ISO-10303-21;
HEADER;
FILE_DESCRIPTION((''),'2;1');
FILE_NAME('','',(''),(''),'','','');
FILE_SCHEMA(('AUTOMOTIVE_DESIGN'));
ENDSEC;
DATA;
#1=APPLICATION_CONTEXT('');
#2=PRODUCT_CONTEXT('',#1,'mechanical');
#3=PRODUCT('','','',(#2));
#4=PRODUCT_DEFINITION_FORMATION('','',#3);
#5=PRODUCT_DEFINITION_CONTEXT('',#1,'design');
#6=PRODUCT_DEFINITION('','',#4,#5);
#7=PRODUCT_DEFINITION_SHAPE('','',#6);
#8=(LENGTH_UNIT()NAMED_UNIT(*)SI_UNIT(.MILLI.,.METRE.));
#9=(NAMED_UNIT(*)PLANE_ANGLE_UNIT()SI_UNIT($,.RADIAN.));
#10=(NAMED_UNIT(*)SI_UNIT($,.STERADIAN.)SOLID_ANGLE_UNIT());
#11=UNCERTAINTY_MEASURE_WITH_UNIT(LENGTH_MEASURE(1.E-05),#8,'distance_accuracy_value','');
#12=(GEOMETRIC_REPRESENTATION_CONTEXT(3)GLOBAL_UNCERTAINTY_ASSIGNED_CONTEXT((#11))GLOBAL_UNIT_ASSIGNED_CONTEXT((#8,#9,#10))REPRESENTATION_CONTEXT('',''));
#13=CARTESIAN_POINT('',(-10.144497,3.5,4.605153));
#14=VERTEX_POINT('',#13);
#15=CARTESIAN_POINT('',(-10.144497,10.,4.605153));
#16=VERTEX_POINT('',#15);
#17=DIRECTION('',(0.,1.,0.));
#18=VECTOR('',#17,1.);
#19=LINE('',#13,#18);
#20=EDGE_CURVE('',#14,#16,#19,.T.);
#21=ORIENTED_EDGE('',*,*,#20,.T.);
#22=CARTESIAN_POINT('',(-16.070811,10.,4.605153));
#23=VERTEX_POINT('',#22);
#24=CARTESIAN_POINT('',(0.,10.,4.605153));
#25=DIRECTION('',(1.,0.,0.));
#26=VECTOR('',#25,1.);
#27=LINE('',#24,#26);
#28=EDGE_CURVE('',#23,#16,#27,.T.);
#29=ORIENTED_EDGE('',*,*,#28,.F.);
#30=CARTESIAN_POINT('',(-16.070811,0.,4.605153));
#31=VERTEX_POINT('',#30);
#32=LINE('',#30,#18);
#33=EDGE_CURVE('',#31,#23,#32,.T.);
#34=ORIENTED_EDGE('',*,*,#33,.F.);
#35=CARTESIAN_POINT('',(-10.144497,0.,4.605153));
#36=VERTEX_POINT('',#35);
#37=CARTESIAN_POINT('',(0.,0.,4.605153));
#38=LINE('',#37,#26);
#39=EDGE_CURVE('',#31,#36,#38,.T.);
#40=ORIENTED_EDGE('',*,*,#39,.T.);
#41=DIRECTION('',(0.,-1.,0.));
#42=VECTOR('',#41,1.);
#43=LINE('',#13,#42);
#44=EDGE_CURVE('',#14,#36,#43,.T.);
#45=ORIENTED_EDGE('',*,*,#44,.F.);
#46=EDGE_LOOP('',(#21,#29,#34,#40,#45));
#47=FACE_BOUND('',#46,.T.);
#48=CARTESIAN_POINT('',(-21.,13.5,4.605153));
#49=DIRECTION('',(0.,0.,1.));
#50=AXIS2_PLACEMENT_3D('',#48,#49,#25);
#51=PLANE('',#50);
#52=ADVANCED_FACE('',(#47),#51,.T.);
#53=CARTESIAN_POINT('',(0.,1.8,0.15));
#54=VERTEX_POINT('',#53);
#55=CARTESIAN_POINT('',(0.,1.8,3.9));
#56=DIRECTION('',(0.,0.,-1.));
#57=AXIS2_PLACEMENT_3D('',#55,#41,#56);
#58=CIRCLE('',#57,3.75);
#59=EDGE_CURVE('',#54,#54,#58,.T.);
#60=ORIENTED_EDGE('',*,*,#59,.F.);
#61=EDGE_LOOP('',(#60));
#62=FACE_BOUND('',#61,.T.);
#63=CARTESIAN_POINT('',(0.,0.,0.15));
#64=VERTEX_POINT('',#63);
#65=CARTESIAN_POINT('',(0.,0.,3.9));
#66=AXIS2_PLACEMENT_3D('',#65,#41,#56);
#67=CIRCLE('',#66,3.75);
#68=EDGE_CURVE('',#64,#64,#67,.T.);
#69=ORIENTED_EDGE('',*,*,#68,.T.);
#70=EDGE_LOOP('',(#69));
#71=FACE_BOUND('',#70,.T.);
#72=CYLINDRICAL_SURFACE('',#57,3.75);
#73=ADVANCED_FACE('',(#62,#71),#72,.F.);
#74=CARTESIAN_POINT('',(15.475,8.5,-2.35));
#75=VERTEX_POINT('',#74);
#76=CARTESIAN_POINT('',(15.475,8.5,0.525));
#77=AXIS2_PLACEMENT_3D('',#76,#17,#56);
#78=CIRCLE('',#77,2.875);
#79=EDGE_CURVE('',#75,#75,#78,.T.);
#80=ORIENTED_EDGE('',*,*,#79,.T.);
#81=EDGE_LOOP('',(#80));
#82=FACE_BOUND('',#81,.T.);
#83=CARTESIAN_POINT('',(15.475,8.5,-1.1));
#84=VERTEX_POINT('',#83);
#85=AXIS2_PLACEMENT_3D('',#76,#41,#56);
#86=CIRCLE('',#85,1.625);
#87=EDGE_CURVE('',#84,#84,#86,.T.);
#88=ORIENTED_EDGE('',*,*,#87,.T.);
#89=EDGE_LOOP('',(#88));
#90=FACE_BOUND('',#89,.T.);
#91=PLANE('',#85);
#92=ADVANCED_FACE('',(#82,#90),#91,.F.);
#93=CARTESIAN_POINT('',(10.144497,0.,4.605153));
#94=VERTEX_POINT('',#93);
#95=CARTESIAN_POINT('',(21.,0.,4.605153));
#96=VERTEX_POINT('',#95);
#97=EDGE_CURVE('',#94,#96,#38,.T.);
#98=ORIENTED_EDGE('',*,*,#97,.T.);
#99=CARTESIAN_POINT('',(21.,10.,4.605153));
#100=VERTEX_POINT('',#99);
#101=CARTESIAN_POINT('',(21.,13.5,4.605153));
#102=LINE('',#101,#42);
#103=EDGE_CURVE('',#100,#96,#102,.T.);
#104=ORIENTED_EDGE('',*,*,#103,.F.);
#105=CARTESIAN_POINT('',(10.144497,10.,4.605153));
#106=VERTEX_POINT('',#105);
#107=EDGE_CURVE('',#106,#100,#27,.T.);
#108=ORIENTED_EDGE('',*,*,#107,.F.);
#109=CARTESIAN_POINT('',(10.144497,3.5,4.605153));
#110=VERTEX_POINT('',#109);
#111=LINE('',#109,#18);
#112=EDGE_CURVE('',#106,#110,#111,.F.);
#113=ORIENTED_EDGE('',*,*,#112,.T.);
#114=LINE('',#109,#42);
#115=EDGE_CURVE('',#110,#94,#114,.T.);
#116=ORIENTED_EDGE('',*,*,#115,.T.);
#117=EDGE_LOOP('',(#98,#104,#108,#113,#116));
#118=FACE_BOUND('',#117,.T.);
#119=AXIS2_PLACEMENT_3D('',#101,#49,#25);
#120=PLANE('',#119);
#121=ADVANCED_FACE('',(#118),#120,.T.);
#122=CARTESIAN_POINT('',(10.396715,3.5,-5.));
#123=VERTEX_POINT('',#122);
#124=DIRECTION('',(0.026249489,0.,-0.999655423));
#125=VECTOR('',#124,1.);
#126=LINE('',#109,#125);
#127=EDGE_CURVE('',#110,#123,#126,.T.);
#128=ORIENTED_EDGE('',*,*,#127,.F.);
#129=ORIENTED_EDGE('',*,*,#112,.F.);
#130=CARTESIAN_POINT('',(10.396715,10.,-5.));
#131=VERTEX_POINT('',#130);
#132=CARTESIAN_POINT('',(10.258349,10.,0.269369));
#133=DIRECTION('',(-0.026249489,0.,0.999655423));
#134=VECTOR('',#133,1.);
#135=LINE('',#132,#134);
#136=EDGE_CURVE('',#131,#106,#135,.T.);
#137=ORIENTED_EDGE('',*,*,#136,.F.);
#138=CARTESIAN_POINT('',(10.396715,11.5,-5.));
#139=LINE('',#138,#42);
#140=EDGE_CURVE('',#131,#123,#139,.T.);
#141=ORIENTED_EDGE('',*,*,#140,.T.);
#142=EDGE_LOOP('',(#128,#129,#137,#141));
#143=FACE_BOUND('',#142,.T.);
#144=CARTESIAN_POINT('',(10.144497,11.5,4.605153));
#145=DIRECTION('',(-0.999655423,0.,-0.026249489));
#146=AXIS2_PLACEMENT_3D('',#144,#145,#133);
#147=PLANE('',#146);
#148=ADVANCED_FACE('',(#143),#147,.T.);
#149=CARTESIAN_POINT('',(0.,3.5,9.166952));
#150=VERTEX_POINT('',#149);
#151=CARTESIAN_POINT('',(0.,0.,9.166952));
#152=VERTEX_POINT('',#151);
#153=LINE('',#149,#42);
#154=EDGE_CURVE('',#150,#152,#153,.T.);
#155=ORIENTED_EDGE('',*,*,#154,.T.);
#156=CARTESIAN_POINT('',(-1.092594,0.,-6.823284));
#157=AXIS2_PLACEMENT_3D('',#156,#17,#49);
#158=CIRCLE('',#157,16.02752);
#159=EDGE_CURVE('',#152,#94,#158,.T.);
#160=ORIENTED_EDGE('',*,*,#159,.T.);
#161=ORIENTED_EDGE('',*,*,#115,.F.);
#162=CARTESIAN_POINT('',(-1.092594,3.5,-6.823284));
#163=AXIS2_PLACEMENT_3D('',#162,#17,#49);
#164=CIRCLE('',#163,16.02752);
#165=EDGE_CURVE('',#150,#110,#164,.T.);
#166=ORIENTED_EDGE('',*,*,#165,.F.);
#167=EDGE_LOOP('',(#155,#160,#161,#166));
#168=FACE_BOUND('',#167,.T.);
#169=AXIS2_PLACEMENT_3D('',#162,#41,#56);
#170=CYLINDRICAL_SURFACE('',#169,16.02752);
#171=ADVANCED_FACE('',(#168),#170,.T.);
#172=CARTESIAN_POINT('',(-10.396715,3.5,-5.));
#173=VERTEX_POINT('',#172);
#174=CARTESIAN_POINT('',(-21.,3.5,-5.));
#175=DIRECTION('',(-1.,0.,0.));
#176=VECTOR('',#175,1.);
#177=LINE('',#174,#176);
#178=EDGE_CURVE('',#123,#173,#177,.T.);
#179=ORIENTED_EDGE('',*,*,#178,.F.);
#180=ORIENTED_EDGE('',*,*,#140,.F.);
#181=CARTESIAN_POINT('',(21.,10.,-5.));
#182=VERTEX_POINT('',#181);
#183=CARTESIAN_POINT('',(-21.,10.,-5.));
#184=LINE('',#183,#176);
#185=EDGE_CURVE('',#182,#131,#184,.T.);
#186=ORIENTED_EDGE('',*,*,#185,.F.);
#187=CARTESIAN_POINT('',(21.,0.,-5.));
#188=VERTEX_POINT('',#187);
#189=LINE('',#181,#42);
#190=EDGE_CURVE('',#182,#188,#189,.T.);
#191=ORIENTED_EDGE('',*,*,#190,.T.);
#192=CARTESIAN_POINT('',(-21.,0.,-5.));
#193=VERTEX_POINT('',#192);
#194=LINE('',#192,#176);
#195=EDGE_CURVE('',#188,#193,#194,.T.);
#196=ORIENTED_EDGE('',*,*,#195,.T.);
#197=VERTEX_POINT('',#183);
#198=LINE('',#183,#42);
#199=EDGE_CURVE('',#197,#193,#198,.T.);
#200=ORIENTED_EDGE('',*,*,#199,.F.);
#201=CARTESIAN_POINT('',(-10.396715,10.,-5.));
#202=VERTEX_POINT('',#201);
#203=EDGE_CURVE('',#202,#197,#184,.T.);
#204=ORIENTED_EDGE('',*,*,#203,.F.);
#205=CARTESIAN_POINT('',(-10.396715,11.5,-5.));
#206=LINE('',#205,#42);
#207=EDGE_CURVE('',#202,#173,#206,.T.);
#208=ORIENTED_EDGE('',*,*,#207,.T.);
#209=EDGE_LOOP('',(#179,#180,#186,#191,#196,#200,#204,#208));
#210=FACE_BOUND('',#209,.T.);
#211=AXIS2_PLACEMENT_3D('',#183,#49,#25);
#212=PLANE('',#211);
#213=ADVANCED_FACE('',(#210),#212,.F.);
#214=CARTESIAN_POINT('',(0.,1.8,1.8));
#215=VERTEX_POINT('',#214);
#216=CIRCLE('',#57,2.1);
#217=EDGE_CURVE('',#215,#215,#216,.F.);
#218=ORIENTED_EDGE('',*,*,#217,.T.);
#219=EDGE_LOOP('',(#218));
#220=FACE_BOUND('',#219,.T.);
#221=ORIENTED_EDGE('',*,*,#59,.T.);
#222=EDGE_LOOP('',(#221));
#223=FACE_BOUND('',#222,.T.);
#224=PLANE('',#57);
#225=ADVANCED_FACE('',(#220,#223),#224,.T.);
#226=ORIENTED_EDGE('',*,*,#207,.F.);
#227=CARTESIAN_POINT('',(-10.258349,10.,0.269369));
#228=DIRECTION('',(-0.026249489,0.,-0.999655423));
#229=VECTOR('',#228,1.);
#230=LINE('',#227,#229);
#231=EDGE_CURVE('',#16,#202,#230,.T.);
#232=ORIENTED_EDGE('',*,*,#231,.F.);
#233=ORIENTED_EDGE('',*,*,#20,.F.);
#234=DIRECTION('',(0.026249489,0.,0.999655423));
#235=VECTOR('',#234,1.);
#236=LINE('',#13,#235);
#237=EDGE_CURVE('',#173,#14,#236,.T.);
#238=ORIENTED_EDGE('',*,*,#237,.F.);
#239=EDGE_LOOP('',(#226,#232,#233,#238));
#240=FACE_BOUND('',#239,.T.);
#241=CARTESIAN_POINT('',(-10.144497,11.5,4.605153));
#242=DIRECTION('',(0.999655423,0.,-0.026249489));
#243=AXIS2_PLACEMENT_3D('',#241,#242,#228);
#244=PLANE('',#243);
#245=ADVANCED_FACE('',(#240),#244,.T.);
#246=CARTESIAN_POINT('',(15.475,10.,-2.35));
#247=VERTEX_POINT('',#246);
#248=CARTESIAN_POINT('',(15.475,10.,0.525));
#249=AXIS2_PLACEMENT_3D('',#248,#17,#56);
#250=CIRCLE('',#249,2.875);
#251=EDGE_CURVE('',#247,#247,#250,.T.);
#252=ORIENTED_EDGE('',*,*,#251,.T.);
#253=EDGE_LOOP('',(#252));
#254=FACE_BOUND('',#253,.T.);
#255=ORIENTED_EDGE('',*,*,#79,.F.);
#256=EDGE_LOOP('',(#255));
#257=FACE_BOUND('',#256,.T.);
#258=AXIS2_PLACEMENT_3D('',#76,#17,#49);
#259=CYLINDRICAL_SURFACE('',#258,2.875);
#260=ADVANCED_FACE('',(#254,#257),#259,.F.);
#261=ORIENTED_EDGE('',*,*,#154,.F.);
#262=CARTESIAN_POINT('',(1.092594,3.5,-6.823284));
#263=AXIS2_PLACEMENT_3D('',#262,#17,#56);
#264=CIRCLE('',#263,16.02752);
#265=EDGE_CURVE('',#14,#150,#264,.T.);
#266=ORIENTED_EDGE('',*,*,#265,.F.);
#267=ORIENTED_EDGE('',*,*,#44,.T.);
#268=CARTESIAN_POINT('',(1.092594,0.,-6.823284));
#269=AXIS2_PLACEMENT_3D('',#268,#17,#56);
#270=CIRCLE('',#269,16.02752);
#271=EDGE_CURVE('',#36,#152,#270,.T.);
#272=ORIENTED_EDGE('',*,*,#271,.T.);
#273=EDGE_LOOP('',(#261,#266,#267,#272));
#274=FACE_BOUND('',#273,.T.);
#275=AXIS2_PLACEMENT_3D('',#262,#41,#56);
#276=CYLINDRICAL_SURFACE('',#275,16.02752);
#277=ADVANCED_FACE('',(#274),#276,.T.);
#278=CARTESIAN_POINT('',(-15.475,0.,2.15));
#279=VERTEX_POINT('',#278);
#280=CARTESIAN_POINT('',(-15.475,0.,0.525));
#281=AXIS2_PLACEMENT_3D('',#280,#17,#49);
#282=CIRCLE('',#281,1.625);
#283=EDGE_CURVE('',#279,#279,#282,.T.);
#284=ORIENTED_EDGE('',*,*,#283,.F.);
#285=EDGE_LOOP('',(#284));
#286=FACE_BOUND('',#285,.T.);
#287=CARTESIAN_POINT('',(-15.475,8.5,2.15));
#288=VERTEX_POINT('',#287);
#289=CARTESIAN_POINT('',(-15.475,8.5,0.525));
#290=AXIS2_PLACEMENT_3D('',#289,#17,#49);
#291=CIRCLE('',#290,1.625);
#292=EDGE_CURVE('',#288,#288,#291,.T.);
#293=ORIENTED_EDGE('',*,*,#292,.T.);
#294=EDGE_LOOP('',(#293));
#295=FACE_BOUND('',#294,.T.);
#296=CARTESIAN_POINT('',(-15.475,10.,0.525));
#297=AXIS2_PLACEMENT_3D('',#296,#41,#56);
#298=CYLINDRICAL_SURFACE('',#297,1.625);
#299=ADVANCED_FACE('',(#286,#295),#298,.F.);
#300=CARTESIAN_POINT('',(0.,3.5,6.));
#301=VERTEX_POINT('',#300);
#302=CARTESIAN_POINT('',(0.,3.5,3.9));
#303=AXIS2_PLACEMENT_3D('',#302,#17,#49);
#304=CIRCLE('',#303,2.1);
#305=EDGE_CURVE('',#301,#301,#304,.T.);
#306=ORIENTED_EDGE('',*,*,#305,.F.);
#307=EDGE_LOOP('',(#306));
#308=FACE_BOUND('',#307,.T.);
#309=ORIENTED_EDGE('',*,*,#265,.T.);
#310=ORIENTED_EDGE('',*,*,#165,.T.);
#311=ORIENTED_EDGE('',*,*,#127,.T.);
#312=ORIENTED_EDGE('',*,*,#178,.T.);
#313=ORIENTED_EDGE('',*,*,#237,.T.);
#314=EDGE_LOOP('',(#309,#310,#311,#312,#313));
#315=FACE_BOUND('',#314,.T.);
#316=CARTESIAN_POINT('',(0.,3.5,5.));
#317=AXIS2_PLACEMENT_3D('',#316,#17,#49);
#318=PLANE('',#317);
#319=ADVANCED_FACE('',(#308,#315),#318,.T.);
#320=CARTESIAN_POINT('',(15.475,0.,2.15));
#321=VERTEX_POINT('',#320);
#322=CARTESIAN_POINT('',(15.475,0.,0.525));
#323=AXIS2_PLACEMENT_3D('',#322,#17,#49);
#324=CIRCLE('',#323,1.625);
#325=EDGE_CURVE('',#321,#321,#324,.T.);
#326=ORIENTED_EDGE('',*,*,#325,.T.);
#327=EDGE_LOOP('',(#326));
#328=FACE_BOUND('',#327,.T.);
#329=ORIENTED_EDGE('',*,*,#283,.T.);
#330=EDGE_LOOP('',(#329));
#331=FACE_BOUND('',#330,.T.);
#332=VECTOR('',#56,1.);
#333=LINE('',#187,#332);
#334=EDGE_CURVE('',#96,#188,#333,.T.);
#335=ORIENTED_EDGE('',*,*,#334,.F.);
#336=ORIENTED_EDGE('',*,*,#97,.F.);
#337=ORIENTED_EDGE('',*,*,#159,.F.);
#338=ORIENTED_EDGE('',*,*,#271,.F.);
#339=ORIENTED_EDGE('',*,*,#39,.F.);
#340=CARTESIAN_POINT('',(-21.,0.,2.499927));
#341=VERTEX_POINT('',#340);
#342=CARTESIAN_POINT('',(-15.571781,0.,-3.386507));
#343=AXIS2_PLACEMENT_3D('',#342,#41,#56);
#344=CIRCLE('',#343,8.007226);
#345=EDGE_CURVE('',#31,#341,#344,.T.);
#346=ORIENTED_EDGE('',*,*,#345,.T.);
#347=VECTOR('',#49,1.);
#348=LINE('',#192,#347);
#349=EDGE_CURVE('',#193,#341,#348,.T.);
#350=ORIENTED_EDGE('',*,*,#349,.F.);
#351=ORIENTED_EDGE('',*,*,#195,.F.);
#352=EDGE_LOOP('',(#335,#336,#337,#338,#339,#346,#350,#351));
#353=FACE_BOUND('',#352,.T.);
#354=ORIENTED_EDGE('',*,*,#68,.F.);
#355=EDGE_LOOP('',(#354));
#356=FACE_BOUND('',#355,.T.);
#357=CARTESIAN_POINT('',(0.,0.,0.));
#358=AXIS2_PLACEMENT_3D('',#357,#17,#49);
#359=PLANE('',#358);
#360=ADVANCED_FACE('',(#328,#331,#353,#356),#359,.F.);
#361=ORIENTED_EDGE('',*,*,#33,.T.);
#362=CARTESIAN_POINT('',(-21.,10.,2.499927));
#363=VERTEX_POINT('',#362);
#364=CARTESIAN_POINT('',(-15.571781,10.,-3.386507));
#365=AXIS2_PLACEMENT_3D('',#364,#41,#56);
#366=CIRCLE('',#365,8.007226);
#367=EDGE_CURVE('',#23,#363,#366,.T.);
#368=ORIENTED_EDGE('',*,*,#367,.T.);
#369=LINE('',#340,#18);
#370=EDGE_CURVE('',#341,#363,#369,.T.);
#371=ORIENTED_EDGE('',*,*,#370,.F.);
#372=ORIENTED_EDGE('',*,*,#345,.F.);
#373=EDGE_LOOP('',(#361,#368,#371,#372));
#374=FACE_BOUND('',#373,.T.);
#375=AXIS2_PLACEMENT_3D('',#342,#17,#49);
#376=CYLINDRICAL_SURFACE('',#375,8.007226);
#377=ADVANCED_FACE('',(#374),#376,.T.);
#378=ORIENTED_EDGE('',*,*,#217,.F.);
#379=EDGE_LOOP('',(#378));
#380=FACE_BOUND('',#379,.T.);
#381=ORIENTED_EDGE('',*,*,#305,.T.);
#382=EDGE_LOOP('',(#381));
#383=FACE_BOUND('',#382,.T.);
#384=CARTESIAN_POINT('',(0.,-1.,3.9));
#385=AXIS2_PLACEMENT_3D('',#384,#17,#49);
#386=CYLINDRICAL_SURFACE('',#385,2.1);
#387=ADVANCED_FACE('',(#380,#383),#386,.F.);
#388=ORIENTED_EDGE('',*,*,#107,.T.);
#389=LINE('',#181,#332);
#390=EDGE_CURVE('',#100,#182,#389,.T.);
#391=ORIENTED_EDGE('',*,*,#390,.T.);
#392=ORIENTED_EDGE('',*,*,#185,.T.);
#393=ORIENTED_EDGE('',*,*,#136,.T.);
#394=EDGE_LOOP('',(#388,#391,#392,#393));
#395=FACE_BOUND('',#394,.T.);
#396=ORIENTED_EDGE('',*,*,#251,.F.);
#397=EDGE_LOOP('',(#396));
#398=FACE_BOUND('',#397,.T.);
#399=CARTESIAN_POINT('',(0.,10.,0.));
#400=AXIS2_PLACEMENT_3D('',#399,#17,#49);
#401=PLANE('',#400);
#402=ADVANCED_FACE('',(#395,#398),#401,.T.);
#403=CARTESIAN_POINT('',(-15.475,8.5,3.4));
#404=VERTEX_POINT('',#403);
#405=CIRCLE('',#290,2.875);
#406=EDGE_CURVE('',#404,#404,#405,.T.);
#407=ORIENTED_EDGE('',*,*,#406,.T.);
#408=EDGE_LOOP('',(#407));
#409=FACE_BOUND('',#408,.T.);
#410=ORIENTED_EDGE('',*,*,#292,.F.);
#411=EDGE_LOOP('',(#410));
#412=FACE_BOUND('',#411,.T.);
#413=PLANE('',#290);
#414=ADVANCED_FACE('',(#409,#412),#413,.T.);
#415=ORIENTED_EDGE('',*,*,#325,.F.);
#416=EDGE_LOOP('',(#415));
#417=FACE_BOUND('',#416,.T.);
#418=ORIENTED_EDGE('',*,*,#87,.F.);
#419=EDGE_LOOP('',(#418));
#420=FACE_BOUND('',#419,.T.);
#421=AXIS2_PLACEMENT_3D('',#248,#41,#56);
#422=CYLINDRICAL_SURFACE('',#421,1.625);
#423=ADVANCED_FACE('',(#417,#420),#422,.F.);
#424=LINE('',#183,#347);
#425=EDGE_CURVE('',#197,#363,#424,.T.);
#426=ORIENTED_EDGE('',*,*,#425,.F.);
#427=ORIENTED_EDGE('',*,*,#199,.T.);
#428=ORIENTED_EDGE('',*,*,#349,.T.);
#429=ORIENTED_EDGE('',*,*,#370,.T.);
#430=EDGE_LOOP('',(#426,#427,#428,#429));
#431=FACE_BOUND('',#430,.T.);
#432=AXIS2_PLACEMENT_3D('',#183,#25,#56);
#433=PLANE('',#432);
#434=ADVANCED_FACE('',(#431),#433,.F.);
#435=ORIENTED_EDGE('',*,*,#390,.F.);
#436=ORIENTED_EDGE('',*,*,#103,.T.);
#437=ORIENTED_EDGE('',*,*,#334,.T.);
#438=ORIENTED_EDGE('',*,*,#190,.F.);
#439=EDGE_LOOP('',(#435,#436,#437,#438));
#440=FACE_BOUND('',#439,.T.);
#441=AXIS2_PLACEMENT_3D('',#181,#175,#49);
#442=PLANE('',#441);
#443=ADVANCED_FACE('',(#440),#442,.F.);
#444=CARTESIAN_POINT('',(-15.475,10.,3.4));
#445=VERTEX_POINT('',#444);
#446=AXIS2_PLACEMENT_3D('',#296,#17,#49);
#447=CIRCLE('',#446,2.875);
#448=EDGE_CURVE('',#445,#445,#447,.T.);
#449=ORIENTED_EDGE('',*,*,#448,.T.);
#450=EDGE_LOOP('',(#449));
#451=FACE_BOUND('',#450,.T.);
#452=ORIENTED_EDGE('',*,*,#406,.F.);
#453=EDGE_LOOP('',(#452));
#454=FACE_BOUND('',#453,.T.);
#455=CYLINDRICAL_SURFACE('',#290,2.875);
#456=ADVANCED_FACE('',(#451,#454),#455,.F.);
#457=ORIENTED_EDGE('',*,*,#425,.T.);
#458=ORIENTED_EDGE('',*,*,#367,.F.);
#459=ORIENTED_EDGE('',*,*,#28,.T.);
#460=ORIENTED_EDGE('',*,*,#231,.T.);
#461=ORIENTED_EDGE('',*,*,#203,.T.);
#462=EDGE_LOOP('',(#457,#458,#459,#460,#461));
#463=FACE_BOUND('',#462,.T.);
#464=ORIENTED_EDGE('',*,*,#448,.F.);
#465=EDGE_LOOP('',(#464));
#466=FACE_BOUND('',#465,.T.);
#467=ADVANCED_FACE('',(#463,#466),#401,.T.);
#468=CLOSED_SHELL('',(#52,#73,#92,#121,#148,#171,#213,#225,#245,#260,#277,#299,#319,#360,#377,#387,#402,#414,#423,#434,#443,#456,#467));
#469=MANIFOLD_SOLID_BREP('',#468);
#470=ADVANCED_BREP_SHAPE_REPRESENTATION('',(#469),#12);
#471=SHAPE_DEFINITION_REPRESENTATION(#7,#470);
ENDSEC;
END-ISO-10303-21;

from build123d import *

# Parameters (mm, degrees)
SKETCH1_W           = 42
SKETCH1_H           = 10
SKETCH1_R           = 1.625
BOSS_EXTRUDE1_DEPTH = 10
SKETCH2_R           = 10.152178523
CUT_EXTRUDE2_DEPTH  = 6.5
CUT_EXTRUDE3_DEPTH  = 10
SKETCH4_R           = 2.875
CUT_EXTRUDE4_DEPTH  = 1.5
CUT_EXTRUDE5_DEPTH  = 8
BOSS_EXTRUDE6_DEPTH = 3.5
SKETCH10_R          = 2.1
CUT_EXTRUDE6_DEPTH  = 4.5
CUT_EXTRUDE8_DEPTH  = 10
SKETCH13_R          = 3.75
CUT_EXTRUDE9_DEPTH  = 1.8


with BuildPart() as part:
    # Sketch1 → Boss-Extrude1 (new body)
    with BuildSketch(Plane(origin=(0, 0, 0), x_dir=(1, 0, 0), z_dir=(0, 1, 0))):
        Rectangle(SKETCH1_W, SKETCH1_H)
        with Locations((-15.475, -0.525)):
            Circle(SKETCH1_R, mode=Mode.SUBTRACT)
        with Locations((15.475, -0.525)):
            Circle(SKETCH1_R, mode=Mode.SUBTRACT)
    extrude(amount=BOSS_EXTRUDE1_DEPTH)

    # Sketch2 → Cut-Extrude2 (cut)
    with BuildSketch(Plane(origin=(0, 10, 0), x_dir=(1, 0, 0), z_dir=(0, 1, 0))):
        with Locations((0, -5)):
            Circle(SKETCH2_R)
    extrude(amount=-CUT_EXTRUDE2_DEPTH, mode=Mode.SUBTRACT)

    # Sketch3 → Cut-Extrude3 (cut, symmetric)
    with BuildSketch(Plane(origin=(0, 3.5, 0), x_dir=(1, 0, 0), z_dir=(0, 1, 0))):
        Polygon((-21, -5), (21, -5), (21, -4.605153404), (9.605793631, -4.605153404), (9.605793631, -4.916952006), (-9.605793631, -4.916952006), (-9.605793631, -4.605153404), (-21, -4.605153404), (-21, -4.916952006), align=None)
    extrude(amount=CUT_EXTRUDE3_DEPTH, both=True, mode=Mode.SUBTRACT)

    # Sketch4 → Cut-Extrude4 (cut)
    with BuildSketch(Plane(origin=(0, 10, 0), x_dir=(1, 0, 0), z_dir=(0, 1, 0))):
        with Locations((-15.475, -0.525)):
            Circle(SKETCH4_R)
        with Locations((15.475, -0.525)):
            Circle(SKETCH4_R)
    extrude(amount=-CUT_EXTRUDE4_DEPTH, mode=Mode.SUBTRACT)

    # Sketch6 → Cut-Extrude5 (cut)
    with BuildSketch(Plane(origin=(0, 3.5, 0), x_dir=(1, 0, 0), z_dir=(0, 1, 0))):
        with BuildLine():
            Line((-10.144497274, -4.605153404), (-10.396714549, 5))
            Line((-10.396714549, 5), (-1.751207804, 5))
            ThreePointArc((-1.751207804, 5), (-7.644716659, 1.6801973), (-10.144497274, -4.605153404))
        make_face()
        with BuildLine():
            Line((10.144497274, -4.605153404), (10.396714549, 5))
            Line((10.396714549, 5), (1.751207804, 5))
            ThreePointArc((1.751207804, 5), (7.644716659, 1.6801973), (10.144497274, -4.605153404))
        make_face()
    extrude(amount=CUT_EXTRUDE5_DEPTH, mode=Mode.SUBTRACT)

    # Sketch9 → Boss-Extrude6 (add)
    with BuildSketch(Plane(origin=(0, 0, 0), x_dir=(1, 0, 0), z_dir=(0, 1, 0))):
        with BuildLine():
            Line((-10.144497274, -4.605153404), (-9.605793631, -4.605153404))
            Line((-9.605793631, -4.605153404), (-9.605793631, -4.916952006))
            Line((-9.605793631, -4.916952006), (9.605793631, -4.916952006))
            Line((9.605793631, -4.916952006), (9.605793631, -4.605153404))
            Line((9.605793631, -4.605153404), (10.144497274, -4.605153404))
            ThreePointArc((10.144497274, -4.605153404), (5.480668968, -7.794295111), (0, -9.166952006))
            ThreePointArc((0, -9.166952006), (-5.480668968, -7.794295111), (-10.144497274, -4.605153404))
        make_face()
    extrude(amount=BOSS_EXTRUDE6_DEPTH)

    # Sketch10 → Cut-Extrude6 (cut)
    with BuildSketch(Plane(origin=(0, 3.5, 0), x_dir=(1, 0, 0), z_dir=(0, 1, 0))):
        with Locations((0, -3.9)):
            Circle(SKETCH10_R)
    extrude(amount=-CUT_EXTRUDE6_DEPTH, mode=Mode.SUBTRACT)

    # Sketch12 → Cut-Extrude8 (cut)
    with BuildSketch(Plane(origin=(0, 10, 0), x_dir=(1, 0, 0), z_dir=(0, 1, 0))):
        with BuildLine():
            Line((-21, -4.605153404), (-21, -2.499927291))
            ThreePointArc((-21, -2.499927291), (-18.716787092, -3.977228829), (-16.070810572, -4.605153404))
            Line((-16.070810572, -4.605153404), (-21, -4.605153404))
        make_face()
    extrude(amount=-CUT_EXTRUDE8_DEPTH, mode=Mode.SUBTRACT)

    # Sketch13 → Cut-Extrude9 (cut)
    with BuildSketch(Plane.XZ):
        with Locations((0, 3.9)):
            Circle(SKETCH13_R)
    extrude(amount=-CUT_EXTRUDE9_DEPTH, mode=Mode.SUBTRACT)


solid = part.part
